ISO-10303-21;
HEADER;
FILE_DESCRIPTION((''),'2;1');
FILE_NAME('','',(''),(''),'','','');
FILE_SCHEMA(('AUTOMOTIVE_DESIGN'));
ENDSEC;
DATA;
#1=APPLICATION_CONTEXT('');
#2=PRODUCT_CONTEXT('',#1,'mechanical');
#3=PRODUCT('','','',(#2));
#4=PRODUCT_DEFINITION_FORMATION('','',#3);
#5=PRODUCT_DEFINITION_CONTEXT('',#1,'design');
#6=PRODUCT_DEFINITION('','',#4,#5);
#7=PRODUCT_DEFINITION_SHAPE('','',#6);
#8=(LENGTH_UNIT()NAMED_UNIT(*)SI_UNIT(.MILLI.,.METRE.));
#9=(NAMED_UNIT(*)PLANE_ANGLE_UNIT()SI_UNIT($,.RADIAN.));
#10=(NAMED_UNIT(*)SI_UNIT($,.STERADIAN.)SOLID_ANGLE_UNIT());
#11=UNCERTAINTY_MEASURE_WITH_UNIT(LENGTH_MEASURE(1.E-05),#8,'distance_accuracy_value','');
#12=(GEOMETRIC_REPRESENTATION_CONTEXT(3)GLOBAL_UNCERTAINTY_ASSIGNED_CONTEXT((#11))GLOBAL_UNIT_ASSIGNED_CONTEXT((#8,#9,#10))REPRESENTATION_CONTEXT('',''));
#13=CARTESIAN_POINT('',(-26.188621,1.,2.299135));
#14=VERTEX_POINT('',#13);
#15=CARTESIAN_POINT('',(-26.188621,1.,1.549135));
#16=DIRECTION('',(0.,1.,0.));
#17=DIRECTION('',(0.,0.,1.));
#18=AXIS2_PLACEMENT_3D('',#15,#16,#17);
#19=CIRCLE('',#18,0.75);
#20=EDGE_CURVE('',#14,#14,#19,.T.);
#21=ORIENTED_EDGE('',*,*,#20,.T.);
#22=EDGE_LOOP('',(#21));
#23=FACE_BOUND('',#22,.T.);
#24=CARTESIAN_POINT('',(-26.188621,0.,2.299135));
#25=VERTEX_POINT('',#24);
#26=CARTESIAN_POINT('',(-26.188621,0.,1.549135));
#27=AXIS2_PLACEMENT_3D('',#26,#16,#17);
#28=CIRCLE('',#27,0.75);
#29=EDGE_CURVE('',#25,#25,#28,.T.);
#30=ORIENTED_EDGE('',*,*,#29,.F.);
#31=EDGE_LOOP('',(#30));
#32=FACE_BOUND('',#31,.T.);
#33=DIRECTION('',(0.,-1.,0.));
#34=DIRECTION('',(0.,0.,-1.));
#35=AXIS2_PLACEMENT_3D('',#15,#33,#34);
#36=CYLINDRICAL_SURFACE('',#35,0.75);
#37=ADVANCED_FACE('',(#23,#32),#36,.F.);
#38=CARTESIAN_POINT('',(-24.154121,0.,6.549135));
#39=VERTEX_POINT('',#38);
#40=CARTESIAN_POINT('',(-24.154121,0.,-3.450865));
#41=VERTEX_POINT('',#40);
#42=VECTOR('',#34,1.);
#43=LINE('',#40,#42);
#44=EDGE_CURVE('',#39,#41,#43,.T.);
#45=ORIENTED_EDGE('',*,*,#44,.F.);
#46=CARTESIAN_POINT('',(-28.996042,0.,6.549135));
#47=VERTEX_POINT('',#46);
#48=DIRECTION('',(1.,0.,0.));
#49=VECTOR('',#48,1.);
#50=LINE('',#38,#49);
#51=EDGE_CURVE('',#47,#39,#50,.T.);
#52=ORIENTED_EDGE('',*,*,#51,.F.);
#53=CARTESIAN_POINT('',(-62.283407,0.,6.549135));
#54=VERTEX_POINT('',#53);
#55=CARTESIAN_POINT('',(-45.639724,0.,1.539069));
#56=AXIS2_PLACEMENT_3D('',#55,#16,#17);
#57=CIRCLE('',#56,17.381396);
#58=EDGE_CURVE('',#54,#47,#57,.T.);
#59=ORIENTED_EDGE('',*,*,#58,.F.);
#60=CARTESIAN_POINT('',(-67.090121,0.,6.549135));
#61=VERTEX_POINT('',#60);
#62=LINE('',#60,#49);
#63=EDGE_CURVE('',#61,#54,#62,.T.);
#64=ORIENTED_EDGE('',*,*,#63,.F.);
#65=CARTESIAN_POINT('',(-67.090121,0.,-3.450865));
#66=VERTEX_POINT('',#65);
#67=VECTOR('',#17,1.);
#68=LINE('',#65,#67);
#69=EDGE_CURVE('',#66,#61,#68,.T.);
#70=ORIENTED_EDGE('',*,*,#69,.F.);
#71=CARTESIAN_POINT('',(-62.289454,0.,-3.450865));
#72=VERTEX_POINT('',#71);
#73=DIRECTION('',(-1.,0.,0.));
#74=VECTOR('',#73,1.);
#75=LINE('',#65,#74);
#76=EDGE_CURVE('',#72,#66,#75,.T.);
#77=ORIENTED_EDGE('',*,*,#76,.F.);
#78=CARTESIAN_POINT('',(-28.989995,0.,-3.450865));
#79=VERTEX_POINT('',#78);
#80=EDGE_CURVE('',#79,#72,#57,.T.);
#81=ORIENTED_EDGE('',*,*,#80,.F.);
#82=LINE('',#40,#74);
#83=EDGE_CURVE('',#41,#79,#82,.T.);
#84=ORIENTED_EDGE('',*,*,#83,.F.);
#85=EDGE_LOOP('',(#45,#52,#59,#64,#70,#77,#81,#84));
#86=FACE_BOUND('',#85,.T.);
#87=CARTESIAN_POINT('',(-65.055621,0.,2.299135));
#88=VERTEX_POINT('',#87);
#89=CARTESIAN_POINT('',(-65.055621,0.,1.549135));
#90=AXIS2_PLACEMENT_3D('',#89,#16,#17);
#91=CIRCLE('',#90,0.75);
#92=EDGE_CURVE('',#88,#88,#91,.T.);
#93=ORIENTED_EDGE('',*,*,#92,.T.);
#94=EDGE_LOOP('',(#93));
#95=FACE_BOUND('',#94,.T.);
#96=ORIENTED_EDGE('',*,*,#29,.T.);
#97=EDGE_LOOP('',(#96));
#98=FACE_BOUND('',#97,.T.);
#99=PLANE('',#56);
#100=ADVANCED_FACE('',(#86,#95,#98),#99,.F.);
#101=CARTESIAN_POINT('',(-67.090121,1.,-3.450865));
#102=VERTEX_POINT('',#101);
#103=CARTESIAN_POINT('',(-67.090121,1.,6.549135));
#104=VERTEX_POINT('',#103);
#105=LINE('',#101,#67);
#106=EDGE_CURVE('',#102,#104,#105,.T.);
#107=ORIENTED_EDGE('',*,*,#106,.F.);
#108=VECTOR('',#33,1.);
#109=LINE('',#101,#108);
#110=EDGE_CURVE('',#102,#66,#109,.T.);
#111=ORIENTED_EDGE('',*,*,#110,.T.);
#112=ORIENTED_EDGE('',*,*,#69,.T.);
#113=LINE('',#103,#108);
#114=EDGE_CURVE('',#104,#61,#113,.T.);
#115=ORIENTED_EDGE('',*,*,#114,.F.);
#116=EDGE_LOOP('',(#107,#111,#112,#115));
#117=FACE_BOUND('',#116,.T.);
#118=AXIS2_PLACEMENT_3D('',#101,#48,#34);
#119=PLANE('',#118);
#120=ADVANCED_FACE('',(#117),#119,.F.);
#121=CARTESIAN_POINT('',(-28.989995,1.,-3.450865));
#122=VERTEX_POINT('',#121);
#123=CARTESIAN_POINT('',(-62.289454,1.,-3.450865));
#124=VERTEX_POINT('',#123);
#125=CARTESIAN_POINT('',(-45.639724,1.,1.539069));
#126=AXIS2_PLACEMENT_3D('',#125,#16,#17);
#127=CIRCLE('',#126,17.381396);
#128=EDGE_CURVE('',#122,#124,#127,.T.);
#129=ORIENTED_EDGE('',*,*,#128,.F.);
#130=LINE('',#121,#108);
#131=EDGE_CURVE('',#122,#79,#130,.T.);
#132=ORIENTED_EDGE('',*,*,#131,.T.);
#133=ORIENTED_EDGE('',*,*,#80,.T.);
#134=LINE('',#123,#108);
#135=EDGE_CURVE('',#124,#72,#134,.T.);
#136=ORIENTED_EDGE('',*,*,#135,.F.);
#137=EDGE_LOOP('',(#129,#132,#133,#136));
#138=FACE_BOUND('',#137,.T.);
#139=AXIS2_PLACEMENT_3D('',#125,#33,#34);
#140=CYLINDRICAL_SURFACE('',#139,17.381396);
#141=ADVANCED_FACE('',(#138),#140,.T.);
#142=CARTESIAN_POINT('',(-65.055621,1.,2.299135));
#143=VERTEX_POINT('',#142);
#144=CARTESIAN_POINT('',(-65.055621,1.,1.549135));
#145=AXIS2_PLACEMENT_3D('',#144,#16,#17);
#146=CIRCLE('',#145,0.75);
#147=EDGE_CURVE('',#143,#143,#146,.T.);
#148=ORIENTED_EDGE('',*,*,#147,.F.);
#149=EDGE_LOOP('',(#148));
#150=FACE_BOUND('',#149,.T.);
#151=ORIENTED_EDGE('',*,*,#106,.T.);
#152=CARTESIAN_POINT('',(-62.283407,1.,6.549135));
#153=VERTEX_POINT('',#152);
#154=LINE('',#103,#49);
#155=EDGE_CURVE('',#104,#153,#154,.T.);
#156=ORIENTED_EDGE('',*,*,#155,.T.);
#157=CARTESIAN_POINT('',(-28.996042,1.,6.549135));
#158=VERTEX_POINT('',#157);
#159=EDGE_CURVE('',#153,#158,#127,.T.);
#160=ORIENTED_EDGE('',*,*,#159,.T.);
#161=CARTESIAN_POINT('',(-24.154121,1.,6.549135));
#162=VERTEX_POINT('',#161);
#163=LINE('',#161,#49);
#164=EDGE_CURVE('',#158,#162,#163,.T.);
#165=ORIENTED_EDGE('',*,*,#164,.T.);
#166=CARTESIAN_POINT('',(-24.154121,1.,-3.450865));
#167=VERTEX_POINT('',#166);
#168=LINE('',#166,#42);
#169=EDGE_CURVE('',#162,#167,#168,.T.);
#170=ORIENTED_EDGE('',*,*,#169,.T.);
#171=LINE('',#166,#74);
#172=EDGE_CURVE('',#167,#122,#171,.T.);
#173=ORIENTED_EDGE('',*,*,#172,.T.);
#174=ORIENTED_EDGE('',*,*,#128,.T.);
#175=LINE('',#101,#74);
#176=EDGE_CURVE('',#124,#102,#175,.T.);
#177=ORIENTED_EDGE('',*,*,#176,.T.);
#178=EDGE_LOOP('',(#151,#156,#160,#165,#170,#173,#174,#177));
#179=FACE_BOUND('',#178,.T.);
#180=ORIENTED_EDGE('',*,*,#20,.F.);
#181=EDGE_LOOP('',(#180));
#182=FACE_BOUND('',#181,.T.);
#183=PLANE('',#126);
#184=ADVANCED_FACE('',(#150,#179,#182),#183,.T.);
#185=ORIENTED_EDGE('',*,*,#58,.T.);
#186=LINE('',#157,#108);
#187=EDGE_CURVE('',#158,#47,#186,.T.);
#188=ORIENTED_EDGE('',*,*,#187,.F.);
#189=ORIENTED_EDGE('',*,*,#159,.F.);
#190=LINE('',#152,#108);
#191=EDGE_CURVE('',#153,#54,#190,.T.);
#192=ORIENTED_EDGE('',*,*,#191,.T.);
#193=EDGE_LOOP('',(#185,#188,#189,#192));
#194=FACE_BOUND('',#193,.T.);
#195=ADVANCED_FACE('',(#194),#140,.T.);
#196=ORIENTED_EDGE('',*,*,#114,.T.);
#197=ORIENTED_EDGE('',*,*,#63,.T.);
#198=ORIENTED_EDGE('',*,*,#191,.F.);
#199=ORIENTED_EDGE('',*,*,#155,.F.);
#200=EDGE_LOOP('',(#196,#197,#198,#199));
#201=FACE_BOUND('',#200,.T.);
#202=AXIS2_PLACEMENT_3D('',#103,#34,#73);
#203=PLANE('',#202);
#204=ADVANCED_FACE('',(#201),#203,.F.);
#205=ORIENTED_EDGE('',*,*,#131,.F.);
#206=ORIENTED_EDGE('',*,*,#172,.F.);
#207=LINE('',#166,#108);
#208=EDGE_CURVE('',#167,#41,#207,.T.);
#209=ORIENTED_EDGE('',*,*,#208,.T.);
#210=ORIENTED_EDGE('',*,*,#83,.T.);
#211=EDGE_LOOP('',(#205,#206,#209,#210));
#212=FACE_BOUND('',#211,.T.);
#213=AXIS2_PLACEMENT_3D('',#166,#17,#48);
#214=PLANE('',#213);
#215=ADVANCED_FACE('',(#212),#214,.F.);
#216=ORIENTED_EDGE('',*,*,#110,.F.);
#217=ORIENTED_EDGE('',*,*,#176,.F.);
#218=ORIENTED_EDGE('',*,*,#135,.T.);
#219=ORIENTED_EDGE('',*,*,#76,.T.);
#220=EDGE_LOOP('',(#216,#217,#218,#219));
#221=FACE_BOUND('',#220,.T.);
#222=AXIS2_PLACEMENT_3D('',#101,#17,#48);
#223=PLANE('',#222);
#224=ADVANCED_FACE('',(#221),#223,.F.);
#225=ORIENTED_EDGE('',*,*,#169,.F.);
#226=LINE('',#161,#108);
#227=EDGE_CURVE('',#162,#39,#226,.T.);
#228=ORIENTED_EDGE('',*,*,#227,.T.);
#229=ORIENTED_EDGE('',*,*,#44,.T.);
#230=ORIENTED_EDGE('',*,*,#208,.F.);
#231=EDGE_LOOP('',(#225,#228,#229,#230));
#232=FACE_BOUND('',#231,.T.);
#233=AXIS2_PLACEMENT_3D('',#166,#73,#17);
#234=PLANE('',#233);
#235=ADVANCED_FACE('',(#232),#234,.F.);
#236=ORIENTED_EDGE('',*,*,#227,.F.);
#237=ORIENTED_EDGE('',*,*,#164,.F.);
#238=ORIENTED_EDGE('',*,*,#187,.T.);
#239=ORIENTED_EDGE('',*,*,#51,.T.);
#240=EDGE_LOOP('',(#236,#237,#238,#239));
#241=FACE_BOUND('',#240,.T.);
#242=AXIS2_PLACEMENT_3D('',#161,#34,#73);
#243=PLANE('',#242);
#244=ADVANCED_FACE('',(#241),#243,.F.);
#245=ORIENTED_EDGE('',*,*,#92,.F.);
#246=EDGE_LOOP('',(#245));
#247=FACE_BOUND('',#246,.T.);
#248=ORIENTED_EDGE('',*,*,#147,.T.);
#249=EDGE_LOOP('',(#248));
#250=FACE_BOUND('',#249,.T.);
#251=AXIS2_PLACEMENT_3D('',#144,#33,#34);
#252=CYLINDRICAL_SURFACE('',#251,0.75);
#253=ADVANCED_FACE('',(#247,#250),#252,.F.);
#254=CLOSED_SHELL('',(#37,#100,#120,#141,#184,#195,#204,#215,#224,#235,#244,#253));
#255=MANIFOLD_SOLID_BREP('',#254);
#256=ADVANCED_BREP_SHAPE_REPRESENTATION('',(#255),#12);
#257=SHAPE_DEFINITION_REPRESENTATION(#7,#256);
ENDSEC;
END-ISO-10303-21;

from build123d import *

# Parameters (mm, degrees)
SKETCH1_R           = 0.75
BOSS_EXTRUDE1_DEPTH = 1


with BuildPart() as part:
    # Sketch1 → Boss-Extrude1 (new body)
    with BuildSketch(Plane(origin=(0, 0, 0), x_dir=(0.9985596815585084, 0, -0.05365223542193357), z_dir=(0, 1, 0))):
        with BuildLine():
            Line((-66.808342968, 7.045429711), (-62.014590734, 6.78786321))
            ThreePointArc((-62.014590734, 6.78786321), (-44.724012488, 18.268182494), (-28.763093531, 5.001272795))
            Line((-28.763093531, 5.001272795), (-23.934184481, 4.741817331))
            Line((-23.934184481, 4.741817331), (-24.470706835, -5.243779484))
            Line((-24.470706835, -5.243779484), (-29.305653961, -4.983999597))
            ThreePointArc((-29.305653961, -4.983999597), (-46.589114014, -16.444540489), (-62.545075012, -3.198058029))
            Line((-62.545075012, -3.198058029), (-67.344865322, -2.940167104))
            Line((-67.344865322, -2.940167104), (-66.808342968, 7.045429711))
        make_face()
        with Locations(Location((-65.045034473, 1.94347583, 0), (0, 0, 266.924476629))):
            Circle(SKETCH1_R, mode=Mode.SUBTRACT)
        with Locations(Location((-26.23401533, -0.141825604, 0), (0, 0, 266.924476629))):
            Circle(SKETCH1_R, mode=Mode.SUBTRACT)
    extrude(amount=BOSS_EXTRUDE1_DEPTH)


solid = part.part
